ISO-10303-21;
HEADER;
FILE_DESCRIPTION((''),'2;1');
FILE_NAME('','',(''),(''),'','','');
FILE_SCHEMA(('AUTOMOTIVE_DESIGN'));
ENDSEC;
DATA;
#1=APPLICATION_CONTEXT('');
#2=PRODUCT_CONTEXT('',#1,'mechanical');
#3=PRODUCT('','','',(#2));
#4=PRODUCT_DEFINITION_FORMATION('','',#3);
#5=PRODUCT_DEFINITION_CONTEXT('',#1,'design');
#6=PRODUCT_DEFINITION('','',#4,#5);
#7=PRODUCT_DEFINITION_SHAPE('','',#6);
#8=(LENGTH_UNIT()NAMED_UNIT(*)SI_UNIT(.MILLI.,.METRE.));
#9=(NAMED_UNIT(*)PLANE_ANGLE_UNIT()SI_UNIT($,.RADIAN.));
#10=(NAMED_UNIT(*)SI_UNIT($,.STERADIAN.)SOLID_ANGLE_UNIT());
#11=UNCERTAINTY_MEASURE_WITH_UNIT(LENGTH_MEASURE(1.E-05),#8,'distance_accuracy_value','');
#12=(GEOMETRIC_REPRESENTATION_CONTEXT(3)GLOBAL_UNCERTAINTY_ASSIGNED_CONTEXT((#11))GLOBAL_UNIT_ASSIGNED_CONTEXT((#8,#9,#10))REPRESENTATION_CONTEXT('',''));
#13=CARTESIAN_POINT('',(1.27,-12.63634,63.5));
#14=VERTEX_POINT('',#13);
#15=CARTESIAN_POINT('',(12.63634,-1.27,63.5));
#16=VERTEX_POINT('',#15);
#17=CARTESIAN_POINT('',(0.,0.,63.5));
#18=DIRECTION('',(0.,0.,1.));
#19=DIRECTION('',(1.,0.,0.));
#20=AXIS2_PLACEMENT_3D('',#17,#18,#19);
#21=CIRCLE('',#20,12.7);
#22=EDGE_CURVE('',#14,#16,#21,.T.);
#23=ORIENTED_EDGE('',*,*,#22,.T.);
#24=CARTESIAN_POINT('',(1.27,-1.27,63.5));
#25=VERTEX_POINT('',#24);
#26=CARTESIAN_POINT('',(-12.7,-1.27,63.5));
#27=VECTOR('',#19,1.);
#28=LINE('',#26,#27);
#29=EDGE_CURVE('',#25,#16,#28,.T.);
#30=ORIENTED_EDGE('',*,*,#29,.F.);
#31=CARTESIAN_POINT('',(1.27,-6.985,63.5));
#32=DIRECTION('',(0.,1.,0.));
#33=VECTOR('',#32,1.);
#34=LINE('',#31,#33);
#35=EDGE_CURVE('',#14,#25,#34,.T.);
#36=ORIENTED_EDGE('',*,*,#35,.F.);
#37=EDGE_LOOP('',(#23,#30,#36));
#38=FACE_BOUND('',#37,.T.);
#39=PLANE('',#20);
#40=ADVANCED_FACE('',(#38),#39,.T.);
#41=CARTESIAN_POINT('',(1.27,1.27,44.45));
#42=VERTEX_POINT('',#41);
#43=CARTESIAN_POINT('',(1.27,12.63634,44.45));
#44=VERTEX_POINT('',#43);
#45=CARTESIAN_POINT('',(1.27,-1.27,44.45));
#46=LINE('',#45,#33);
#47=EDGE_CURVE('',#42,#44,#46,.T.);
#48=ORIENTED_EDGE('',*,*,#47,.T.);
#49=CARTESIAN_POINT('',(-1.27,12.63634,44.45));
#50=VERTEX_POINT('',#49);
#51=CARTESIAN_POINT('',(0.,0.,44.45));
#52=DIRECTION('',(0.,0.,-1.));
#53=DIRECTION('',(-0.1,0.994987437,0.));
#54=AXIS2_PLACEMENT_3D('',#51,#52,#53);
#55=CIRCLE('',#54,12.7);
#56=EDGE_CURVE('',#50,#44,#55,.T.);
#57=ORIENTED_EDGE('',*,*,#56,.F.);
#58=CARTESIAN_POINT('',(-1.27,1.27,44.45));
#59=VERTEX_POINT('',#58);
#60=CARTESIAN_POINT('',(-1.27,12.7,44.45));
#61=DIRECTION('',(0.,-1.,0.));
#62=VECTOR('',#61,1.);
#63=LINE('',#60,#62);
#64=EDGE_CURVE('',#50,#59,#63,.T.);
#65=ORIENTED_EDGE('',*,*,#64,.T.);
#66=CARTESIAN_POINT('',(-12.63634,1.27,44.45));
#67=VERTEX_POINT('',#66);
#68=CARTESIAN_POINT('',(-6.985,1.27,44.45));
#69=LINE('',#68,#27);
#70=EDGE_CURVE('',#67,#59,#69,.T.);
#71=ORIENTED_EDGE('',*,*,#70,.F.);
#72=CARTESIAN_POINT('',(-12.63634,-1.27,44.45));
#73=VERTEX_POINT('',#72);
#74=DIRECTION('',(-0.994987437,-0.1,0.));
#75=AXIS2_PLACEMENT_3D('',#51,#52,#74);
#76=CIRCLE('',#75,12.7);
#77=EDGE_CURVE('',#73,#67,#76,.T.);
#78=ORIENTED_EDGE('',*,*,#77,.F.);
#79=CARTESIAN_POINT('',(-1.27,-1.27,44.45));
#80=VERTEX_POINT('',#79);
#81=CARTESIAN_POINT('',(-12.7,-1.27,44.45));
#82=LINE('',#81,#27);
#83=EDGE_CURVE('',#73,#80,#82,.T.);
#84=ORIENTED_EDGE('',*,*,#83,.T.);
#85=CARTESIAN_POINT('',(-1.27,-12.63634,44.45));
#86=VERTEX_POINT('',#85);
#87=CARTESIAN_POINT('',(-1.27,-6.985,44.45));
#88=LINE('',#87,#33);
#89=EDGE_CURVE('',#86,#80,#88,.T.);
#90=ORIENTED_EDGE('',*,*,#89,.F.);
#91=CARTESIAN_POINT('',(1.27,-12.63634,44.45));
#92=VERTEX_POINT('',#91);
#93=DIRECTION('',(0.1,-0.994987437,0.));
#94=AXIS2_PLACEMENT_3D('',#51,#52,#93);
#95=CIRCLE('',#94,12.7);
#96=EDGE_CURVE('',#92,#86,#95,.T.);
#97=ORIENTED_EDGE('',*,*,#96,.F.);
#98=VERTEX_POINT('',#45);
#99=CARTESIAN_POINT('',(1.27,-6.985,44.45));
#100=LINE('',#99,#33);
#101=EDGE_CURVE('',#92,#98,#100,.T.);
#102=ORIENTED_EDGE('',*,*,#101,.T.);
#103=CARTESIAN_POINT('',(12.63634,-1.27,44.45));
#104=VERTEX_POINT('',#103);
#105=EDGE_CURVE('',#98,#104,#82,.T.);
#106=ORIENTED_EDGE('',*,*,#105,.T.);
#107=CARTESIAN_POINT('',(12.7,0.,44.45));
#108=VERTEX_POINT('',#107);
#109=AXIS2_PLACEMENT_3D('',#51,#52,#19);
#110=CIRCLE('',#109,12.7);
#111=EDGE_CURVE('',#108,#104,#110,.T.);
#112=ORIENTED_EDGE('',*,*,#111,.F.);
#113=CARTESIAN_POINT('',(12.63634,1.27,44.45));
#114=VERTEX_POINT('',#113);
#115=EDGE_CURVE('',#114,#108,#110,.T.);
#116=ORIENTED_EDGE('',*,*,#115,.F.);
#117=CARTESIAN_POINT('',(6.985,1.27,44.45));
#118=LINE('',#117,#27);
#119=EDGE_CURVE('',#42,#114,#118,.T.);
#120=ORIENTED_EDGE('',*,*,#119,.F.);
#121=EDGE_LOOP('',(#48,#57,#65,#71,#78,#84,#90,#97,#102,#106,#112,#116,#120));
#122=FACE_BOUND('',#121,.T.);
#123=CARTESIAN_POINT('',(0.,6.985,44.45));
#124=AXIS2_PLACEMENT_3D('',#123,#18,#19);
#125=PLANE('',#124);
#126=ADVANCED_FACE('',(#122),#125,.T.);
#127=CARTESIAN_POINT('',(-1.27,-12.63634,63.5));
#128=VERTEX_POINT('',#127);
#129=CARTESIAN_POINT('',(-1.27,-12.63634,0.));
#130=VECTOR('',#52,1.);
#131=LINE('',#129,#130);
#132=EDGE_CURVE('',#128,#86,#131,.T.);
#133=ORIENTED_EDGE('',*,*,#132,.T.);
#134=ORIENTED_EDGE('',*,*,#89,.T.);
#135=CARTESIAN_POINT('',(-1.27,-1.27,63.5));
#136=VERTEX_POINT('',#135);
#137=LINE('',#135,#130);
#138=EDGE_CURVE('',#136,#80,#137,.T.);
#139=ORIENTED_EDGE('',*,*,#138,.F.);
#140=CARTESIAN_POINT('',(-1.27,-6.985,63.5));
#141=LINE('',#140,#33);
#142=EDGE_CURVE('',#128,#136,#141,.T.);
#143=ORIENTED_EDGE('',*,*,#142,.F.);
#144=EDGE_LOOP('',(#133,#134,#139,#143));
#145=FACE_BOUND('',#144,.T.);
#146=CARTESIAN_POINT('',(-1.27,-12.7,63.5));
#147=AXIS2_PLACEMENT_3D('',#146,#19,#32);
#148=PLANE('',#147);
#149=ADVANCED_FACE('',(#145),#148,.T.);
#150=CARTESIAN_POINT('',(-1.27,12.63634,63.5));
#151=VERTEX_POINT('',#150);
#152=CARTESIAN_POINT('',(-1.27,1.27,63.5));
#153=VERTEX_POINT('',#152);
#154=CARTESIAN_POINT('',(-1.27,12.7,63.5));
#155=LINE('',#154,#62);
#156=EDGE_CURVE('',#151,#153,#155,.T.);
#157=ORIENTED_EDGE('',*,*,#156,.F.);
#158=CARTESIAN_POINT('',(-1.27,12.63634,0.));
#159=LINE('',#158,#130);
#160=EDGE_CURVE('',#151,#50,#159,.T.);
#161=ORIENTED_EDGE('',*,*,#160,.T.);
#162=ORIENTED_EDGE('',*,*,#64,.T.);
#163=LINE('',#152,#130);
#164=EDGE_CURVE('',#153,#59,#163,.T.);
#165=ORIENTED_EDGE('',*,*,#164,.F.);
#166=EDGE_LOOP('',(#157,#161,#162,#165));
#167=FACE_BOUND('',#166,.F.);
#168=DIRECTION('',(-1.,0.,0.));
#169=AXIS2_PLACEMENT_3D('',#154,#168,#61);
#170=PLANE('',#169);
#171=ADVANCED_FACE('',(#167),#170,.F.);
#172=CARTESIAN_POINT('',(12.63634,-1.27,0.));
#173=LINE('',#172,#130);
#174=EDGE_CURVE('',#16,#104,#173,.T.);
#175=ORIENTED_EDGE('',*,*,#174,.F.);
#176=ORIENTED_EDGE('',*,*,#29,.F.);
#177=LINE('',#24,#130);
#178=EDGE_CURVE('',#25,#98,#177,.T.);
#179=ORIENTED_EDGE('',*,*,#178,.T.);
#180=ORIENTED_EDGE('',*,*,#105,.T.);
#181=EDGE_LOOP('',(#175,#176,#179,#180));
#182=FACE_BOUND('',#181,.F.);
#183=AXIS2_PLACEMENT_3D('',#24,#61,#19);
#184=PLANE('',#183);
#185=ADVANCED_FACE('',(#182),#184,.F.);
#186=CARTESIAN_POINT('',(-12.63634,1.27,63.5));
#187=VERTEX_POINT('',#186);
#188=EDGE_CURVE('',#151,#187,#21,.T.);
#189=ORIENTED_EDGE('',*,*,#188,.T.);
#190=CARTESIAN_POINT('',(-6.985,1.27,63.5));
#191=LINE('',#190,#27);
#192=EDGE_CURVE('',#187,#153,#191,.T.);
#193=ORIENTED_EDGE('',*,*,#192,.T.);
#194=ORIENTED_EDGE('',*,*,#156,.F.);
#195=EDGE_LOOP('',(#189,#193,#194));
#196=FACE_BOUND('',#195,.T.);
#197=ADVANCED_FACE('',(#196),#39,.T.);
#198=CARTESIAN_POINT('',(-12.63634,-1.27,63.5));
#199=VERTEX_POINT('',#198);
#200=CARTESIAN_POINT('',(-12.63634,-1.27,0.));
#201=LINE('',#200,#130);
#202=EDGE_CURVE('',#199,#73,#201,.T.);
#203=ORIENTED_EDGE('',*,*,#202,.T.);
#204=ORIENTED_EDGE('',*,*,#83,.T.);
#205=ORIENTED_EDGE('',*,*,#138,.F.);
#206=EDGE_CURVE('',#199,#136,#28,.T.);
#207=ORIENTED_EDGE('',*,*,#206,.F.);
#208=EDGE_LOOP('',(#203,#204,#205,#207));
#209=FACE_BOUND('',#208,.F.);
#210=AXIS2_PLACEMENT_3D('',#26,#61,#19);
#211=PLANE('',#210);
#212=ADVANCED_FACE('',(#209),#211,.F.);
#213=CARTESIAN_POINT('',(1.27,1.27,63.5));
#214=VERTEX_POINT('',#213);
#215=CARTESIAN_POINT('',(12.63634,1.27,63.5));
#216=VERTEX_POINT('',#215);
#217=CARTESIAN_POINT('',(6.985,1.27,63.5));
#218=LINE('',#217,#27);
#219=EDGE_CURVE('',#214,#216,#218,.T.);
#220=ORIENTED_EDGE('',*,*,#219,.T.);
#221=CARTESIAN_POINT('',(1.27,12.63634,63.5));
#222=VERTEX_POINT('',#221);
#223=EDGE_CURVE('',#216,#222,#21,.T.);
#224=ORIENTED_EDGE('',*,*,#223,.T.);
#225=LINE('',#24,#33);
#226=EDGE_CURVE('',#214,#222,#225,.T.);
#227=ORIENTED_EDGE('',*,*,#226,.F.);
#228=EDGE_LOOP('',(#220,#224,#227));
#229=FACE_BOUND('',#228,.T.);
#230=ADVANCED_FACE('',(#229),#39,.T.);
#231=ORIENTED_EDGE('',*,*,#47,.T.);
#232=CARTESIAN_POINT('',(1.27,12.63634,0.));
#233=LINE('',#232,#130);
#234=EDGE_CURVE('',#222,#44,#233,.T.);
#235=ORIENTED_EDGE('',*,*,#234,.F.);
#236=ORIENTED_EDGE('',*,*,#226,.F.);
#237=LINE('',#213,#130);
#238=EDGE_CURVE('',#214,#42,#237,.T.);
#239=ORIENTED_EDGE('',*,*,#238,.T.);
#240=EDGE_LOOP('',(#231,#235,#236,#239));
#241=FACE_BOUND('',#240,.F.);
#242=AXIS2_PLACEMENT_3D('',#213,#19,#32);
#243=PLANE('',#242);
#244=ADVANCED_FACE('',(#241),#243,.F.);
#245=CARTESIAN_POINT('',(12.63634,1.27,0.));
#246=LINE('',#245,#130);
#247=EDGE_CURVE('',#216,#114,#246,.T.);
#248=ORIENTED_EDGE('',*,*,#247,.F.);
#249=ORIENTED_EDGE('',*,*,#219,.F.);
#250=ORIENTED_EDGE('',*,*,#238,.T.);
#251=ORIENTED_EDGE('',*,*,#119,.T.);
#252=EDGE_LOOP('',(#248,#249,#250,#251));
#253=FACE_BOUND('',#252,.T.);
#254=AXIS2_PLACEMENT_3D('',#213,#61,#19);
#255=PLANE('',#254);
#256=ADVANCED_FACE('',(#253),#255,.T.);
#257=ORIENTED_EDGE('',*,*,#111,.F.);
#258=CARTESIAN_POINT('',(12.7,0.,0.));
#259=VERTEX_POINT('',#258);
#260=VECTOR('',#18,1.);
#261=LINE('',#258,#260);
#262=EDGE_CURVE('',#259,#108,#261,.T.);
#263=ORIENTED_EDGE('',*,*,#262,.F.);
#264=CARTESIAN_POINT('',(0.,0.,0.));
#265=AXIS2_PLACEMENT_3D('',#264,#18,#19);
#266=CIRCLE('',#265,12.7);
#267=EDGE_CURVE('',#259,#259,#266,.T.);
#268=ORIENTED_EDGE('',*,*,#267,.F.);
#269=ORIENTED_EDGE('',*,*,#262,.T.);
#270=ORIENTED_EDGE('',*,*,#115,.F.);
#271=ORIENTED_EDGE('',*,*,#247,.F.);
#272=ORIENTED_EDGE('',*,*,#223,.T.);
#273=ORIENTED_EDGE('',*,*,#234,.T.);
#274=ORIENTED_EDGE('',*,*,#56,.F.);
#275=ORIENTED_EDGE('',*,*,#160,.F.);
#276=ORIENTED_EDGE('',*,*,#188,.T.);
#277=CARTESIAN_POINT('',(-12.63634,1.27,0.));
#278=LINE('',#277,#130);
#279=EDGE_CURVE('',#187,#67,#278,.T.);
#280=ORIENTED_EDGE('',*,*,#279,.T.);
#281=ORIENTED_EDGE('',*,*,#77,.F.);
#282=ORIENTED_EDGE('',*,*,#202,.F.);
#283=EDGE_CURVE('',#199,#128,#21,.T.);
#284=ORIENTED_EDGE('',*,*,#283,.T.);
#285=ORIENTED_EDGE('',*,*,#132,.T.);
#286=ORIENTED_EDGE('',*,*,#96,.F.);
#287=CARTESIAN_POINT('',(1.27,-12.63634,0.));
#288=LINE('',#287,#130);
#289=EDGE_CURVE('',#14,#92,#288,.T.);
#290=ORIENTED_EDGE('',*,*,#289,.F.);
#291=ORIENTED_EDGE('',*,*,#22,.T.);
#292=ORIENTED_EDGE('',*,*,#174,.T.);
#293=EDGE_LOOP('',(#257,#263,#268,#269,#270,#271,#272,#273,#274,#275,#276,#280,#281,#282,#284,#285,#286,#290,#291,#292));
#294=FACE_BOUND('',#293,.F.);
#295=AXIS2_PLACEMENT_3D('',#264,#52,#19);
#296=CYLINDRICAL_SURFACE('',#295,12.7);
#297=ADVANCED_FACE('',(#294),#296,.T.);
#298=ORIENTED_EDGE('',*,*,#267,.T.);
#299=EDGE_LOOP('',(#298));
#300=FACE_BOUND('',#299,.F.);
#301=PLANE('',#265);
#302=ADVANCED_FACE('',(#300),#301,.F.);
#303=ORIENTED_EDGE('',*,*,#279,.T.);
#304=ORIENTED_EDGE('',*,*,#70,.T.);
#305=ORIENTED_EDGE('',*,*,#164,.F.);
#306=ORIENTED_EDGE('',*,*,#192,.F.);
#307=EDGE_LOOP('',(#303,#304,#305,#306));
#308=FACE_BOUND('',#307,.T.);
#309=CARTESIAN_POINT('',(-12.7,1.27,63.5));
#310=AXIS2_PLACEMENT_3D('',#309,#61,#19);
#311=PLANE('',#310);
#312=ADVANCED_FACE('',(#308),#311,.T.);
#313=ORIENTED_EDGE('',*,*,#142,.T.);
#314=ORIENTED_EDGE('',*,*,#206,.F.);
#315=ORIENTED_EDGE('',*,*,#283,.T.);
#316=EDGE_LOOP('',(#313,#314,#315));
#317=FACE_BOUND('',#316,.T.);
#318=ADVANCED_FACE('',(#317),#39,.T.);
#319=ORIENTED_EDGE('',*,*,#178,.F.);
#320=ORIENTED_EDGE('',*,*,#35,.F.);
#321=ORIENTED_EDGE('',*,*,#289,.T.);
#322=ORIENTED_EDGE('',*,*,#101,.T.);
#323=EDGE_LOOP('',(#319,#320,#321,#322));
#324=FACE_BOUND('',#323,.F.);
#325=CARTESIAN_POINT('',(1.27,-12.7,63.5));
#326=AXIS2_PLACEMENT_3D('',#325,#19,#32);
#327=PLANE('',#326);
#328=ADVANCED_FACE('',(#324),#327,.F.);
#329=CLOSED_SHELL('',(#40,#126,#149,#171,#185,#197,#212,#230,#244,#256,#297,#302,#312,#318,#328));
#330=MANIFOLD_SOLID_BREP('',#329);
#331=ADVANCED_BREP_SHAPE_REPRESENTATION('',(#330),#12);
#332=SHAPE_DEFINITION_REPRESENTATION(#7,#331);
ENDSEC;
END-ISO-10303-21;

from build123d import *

# Parameters (mm, degrees)
F0_R     = 12.7
F1_DEPTH = 63.5
F2_W     = 2.54
F2_H     = 11.43
F2_H_2   = 2.54
F2_W_2   = 11.43
F3_DEPTH = 19.05


with BuildPart() as f1:
    # F0 (on Top) → F1 (new body)
    with BuildSketch(Plane.XY):
        Circle(F0_R)
    extrude(amount=F1_DEPTH)

    # F2 (on face) → F3 (cut)
    with BuildSketch(Plane.XY.offset(63.5)):
        with Locations((0, 6.985)):
            Rectangle(F2_W, F2_H)
        Rectangle(F2_W, F2_H_2)
        with Locations((-6.985, 0)):
            Rectangle(F2_W_2, F2_H_2)
        with Locations((6.985, 0)):
            Rectangle(F2_W_2, F2_H_2)
        with Locations((0, -6.985)):
            Rectangle(F2_W, F2_H)
    extrude(amount=-F3_DEPTH, mode=Mode.SUBTRACT)


solid = f1.part
